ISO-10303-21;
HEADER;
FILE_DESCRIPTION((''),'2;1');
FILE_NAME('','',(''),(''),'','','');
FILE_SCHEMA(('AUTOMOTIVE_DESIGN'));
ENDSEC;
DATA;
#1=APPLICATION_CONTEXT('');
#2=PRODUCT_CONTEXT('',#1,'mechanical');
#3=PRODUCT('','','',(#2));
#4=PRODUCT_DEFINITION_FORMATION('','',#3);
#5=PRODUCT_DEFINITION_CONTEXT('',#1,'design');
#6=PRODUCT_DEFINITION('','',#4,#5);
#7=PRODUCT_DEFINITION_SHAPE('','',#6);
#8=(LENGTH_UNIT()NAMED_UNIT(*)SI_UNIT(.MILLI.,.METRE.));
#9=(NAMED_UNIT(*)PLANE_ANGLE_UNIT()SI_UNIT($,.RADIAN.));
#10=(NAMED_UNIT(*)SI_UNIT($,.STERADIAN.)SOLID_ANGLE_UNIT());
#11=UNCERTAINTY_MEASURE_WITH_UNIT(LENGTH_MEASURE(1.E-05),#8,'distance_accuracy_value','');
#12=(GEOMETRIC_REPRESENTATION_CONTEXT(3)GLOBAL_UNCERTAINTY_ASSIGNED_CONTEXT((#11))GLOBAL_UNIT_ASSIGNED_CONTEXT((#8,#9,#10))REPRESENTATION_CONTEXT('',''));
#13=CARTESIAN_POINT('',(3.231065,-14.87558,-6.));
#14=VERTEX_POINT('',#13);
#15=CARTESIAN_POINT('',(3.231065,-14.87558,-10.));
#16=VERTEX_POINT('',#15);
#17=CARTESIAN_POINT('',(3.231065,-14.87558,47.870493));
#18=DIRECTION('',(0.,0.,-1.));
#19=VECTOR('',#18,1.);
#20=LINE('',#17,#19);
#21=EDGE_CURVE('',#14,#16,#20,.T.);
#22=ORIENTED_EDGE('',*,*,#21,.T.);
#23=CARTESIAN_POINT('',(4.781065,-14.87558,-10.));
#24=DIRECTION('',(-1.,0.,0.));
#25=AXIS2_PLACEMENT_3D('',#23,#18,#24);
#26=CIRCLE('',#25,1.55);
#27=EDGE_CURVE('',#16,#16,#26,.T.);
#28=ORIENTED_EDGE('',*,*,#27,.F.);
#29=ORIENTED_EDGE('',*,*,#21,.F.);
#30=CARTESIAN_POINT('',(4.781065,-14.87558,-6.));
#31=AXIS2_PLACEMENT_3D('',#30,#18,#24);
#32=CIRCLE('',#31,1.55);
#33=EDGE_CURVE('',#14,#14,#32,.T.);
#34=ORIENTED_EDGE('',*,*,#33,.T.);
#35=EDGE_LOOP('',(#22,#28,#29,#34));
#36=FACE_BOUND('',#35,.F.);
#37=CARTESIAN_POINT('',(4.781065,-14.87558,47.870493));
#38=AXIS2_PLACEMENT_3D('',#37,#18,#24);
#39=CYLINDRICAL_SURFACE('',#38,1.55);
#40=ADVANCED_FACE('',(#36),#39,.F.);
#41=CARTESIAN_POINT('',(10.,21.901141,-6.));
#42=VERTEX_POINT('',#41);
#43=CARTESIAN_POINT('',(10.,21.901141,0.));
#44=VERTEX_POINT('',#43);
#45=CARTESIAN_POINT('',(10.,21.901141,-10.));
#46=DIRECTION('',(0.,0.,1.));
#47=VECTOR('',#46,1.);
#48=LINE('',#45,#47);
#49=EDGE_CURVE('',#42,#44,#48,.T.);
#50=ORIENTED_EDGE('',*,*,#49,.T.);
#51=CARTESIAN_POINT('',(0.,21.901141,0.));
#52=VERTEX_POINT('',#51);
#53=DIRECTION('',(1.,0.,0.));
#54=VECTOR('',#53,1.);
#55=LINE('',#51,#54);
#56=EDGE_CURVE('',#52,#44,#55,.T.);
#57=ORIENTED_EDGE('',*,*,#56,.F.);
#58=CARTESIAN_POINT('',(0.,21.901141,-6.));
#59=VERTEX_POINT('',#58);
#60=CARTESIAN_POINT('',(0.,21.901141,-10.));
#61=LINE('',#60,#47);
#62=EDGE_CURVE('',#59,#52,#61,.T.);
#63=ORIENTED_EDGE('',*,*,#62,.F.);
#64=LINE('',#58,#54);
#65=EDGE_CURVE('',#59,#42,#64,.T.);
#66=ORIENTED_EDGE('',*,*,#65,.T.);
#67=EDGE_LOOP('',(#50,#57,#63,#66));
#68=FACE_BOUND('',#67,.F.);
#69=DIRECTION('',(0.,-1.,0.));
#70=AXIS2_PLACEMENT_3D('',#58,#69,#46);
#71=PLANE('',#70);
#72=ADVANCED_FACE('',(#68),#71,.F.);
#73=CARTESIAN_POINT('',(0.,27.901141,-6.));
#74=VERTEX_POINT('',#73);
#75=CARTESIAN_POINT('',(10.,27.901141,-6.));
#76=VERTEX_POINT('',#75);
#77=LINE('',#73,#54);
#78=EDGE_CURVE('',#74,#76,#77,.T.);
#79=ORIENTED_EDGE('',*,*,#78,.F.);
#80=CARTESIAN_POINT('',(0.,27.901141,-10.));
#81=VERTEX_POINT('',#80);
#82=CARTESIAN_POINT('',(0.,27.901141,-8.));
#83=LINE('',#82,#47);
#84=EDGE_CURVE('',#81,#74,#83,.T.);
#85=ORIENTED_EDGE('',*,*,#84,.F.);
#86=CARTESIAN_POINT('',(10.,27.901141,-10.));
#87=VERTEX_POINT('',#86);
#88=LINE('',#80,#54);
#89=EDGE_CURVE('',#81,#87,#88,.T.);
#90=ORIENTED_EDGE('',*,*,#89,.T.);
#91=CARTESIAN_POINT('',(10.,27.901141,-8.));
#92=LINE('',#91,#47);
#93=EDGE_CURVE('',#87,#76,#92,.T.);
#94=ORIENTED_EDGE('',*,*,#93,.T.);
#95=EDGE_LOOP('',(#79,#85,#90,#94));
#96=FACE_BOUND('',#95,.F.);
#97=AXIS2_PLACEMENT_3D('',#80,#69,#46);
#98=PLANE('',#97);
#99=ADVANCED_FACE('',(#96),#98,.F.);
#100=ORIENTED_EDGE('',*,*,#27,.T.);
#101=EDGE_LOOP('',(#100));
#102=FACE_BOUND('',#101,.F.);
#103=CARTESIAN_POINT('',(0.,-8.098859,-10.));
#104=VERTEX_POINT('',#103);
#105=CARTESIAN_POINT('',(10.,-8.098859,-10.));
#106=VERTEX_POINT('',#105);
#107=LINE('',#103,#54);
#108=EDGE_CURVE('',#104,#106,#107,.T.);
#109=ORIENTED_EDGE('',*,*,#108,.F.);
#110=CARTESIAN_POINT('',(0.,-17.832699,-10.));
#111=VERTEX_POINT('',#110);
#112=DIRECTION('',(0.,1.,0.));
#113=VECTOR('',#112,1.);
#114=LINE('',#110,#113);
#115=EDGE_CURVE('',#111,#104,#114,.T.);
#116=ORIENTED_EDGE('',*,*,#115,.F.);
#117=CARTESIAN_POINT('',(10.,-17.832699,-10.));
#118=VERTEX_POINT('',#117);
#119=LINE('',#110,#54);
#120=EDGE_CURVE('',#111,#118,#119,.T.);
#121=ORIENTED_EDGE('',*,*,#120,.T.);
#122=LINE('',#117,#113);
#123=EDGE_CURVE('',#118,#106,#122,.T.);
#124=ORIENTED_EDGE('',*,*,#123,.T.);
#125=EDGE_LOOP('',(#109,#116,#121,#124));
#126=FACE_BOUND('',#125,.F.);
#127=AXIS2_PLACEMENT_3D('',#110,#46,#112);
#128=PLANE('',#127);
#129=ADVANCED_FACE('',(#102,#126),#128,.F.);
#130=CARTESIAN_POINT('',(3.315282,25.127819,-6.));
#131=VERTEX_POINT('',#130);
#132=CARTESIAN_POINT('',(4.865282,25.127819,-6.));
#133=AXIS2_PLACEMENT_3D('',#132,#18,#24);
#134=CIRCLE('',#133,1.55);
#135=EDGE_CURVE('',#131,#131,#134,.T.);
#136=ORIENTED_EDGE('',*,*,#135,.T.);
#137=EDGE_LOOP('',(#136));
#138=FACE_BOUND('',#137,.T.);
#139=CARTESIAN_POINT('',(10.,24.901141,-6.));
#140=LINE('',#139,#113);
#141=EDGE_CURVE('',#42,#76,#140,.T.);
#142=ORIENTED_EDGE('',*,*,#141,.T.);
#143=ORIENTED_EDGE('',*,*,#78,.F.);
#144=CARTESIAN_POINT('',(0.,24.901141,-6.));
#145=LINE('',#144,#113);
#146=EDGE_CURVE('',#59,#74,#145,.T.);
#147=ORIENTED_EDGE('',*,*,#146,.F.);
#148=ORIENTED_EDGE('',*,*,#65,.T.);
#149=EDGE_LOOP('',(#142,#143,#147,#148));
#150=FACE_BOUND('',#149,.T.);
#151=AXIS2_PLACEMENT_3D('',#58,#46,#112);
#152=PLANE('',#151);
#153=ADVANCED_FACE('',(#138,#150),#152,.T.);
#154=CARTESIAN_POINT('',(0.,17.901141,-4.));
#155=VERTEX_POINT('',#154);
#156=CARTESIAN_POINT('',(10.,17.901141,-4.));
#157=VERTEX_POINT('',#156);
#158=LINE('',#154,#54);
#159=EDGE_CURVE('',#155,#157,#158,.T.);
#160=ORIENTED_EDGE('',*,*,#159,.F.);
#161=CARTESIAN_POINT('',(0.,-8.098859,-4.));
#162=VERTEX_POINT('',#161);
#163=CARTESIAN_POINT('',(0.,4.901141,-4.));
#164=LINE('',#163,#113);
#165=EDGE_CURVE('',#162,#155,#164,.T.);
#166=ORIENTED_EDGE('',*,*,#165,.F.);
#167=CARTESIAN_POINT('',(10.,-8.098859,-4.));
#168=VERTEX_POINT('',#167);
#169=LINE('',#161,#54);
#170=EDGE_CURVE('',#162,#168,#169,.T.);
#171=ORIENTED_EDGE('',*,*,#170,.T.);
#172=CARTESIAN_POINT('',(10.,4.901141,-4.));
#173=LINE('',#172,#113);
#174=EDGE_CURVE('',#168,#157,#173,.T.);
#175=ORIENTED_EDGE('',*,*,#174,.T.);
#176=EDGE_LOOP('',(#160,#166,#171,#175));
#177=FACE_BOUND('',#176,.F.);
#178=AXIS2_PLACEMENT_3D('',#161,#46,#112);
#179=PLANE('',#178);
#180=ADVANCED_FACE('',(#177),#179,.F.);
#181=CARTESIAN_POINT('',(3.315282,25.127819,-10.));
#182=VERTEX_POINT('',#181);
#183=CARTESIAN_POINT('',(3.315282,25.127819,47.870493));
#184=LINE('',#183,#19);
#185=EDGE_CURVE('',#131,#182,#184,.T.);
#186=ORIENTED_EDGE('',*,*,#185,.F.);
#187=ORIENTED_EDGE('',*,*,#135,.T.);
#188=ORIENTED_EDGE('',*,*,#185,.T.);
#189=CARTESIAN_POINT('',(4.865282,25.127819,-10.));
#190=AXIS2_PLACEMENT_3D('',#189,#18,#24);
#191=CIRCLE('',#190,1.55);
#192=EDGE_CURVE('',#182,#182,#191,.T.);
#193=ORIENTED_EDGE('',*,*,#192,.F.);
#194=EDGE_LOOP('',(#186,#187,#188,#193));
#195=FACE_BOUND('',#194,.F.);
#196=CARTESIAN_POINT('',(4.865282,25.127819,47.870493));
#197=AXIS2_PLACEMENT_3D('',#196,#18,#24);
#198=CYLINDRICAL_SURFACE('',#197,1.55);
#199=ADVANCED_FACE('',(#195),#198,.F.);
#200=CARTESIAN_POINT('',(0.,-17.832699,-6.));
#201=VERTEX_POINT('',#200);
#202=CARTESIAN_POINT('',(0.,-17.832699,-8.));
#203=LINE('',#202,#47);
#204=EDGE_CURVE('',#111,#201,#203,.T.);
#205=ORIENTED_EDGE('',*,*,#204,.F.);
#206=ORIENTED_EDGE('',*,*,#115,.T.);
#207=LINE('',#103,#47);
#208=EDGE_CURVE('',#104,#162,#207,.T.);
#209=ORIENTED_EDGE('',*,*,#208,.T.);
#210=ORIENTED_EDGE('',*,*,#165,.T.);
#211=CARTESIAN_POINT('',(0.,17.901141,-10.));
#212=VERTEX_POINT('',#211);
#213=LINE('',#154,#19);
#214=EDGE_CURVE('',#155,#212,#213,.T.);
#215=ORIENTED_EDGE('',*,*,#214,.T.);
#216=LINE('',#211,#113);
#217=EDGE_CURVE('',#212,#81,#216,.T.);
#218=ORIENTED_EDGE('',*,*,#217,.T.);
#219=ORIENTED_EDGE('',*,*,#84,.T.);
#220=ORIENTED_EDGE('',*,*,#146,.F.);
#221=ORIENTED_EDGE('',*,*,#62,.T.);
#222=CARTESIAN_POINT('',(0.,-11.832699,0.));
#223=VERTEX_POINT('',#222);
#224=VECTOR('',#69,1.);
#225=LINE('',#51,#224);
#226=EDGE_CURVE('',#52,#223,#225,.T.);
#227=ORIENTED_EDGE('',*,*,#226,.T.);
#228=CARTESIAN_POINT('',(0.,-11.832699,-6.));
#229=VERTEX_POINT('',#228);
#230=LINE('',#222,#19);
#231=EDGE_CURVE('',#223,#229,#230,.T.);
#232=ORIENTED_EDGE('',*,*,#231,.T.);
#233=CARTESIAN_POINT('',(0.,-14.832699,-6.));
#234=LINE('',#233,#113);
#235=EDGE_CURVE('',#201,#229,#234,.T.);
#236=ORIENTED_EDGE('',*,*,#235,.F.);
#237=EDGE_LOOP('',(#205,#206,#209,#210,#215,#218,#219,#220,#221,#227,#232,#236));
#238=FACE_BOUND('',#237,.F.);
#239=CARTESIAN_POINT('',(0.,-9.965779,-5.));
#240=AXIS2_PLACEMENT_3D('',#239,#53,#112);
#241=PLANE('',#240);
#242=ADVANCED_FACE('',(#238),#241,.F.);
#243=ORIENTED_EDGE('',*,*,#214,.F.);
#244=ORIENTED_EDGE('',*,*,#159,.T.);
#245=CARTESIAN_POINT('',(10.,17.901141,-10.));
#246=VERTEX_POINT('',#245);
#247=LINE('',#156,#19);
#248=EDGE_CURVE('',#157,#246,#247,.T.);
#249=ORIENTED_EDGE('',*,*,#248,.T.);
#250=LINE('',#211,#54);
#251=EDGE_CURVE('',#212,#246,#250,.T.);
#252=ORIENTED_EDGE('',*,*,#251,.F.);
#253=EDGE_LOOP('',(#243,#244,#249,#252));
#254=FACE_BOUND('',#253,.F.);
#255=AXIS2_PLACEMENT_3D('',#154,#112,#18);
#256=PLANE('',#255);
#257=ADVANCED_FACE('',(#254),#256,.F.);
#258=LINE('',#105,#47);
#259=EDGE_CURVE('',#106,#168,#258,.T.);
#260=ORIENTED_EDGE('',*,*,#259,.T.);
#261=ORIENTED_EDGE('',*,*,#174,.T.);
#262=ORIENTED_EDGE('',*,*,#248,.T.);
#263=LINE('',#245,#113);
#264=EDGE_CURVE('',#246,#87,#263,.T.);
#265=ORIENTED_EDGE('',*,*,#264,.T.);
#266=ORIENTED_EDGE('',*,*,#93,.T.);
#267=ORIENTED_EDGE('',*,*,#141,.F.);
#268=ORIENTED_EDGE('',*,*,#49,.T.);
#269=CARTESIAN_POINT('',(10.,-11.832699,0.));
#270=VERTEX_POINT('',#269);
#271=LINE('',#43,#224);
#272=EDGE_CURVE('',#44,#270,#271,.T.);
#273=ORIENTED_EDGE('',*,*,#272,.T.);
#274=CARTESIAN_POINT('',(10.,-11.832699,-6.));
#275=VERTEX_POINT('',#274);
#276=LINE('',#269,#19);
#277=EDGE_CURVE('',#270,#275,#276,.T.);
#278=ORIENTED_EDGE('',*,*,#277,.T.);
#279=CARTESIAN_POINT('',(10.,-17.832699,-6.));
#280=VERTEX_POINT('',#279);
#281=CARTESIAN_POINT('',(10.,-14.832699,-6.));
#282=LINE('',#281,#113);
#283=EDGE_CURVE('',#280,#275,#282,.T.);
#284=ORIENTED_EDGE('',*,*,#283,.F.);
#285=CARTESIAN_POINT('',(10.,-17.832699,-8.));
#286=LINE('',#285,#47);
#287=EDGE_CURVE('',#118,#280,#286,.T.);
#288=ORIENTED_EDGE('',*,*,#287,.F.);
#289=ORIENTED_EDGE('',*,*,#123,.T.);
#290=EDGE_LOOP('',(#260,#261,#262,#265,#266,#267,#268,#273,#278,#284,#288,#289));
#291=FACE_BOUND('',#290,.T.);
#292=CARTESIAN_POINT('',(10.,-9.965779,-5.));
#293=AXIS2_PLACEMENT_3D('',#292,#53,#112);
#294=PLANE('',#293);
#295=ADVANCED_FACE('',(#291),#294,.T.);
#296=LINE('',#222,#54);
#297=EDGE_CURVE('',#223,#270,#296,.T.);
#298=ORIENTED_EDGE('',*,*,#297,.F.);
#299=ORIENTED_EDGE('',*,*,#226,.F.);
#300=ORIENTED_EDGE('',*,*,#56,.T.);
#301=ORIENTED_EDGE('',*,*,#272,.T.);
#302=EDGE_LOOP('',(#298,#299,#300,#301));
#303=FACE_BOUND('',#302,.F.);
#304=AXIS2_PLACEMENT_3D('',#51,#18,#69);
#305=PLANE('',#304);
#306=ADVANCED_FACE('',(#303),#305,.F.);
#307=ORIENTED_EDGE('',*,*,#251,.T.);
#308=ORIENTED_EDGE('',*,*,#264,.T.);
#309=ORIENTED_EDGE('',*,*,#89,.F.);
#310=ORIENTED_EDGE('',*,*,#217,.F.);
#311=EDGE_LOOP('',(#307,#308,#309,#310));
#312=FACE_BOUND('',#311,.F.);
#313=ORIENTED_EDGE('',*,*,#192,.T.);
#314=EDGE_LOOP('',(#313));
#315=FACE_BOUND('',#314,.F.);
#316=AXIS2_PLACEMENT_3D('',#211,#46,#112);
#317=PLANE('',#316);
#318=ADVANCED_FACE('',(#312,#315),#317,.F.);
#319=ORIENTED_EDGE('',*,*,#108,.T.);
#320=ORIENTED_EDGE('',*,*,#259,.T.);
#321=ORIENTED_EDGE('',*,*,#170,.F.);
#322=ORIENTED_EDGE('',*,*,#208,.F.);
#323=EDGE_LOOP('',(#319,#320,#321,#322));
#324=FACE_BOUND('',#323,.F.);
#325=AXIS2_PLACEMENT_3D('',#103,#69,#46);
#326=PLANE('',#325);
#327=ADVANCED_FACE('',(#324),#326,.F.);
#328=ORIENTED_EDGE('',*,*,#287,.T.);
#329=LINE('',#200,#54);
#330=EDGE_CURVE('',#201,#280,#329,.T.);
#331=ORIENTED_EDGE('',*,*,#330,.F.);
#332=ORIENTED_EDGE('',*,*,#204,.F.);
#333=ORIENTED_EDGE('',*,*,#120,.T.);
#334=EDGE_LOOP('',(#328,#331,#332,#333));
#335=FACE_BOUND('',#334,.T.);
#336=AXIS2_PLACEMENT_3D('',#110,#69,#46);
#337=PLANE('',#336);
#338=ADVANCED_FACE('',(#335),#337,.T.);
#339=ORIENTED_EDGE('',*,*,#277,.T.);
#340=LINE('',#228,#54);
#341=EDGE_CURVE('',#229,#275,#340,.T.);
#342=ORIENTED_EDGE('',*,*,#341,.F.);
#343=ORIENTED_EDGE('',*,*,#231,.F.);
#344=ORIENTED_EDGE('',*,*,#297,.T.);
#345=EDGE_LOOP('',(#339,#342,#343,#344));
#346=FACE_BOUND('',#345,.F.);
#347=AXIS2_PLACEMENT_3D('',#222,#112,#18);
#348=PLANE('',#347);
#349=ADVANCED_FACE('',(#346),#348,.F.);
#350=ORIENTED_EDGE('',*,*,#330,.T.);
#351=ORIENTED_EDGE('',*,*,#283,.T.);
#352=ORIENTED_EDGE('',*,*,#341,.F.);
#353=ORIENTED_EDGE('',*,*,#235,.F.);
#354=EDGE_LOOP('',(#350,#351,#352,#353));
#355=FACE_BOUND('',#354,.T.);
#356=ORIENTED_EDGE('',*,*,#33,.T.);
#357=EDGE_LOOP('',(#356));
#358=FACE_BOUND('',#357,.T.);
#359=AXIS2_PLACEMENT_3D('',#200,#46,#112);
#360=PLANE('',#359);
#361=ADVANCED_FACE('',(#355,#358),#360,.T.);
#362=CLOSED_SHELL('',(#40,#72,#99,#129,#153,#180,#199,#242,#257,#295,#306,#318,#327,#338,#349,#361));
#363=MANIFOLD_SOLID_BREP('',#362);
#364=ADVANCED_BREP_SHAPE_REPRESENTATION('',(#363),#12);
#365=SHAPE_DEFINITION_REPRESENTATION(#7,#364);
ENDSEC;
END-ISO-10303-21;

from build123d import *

# Parameters (mm, degrees)
F0_W     = 6
F0_H     = 4
F0_W_2   = 26
F1_DEPTH = 10
F3_D     = 3.1


with BuildPart() as f1:
    # F0 (on Right) → F1 (new body)
    with BuildSketch(Plane.YZ):
        Polygon((-8.098859, -4), (-8.098859, 0), (-11.832699, 0), (-11.832699, -6), (-11.832699, -10), (-8.098859, -10), align=None)
        with Locations((-14.832699, -8)):
            Rectangle(F0_W, F0_H)
        with Locations((4.901141, -2)):
            Rectangle(F0_W_2, F0_H)
        Polygon((21.901141, 0), (17.901141, 0), (17.901141, -4), (17.901141, -10), (21.901141, -10), (21.901141, -6), align=None)
        with Locations((24.901141, -8)):
            Rectangle(F0_W, F0_H)
    extrude(amount=F1_DEPTH)

    # F3 (through all)
    with Locations(Plane.XY):
        with Locations((4.781065, -14.87558), (4.865282, 25.127819)):
            Hole(F3_D / 2)


solid = f1.part
